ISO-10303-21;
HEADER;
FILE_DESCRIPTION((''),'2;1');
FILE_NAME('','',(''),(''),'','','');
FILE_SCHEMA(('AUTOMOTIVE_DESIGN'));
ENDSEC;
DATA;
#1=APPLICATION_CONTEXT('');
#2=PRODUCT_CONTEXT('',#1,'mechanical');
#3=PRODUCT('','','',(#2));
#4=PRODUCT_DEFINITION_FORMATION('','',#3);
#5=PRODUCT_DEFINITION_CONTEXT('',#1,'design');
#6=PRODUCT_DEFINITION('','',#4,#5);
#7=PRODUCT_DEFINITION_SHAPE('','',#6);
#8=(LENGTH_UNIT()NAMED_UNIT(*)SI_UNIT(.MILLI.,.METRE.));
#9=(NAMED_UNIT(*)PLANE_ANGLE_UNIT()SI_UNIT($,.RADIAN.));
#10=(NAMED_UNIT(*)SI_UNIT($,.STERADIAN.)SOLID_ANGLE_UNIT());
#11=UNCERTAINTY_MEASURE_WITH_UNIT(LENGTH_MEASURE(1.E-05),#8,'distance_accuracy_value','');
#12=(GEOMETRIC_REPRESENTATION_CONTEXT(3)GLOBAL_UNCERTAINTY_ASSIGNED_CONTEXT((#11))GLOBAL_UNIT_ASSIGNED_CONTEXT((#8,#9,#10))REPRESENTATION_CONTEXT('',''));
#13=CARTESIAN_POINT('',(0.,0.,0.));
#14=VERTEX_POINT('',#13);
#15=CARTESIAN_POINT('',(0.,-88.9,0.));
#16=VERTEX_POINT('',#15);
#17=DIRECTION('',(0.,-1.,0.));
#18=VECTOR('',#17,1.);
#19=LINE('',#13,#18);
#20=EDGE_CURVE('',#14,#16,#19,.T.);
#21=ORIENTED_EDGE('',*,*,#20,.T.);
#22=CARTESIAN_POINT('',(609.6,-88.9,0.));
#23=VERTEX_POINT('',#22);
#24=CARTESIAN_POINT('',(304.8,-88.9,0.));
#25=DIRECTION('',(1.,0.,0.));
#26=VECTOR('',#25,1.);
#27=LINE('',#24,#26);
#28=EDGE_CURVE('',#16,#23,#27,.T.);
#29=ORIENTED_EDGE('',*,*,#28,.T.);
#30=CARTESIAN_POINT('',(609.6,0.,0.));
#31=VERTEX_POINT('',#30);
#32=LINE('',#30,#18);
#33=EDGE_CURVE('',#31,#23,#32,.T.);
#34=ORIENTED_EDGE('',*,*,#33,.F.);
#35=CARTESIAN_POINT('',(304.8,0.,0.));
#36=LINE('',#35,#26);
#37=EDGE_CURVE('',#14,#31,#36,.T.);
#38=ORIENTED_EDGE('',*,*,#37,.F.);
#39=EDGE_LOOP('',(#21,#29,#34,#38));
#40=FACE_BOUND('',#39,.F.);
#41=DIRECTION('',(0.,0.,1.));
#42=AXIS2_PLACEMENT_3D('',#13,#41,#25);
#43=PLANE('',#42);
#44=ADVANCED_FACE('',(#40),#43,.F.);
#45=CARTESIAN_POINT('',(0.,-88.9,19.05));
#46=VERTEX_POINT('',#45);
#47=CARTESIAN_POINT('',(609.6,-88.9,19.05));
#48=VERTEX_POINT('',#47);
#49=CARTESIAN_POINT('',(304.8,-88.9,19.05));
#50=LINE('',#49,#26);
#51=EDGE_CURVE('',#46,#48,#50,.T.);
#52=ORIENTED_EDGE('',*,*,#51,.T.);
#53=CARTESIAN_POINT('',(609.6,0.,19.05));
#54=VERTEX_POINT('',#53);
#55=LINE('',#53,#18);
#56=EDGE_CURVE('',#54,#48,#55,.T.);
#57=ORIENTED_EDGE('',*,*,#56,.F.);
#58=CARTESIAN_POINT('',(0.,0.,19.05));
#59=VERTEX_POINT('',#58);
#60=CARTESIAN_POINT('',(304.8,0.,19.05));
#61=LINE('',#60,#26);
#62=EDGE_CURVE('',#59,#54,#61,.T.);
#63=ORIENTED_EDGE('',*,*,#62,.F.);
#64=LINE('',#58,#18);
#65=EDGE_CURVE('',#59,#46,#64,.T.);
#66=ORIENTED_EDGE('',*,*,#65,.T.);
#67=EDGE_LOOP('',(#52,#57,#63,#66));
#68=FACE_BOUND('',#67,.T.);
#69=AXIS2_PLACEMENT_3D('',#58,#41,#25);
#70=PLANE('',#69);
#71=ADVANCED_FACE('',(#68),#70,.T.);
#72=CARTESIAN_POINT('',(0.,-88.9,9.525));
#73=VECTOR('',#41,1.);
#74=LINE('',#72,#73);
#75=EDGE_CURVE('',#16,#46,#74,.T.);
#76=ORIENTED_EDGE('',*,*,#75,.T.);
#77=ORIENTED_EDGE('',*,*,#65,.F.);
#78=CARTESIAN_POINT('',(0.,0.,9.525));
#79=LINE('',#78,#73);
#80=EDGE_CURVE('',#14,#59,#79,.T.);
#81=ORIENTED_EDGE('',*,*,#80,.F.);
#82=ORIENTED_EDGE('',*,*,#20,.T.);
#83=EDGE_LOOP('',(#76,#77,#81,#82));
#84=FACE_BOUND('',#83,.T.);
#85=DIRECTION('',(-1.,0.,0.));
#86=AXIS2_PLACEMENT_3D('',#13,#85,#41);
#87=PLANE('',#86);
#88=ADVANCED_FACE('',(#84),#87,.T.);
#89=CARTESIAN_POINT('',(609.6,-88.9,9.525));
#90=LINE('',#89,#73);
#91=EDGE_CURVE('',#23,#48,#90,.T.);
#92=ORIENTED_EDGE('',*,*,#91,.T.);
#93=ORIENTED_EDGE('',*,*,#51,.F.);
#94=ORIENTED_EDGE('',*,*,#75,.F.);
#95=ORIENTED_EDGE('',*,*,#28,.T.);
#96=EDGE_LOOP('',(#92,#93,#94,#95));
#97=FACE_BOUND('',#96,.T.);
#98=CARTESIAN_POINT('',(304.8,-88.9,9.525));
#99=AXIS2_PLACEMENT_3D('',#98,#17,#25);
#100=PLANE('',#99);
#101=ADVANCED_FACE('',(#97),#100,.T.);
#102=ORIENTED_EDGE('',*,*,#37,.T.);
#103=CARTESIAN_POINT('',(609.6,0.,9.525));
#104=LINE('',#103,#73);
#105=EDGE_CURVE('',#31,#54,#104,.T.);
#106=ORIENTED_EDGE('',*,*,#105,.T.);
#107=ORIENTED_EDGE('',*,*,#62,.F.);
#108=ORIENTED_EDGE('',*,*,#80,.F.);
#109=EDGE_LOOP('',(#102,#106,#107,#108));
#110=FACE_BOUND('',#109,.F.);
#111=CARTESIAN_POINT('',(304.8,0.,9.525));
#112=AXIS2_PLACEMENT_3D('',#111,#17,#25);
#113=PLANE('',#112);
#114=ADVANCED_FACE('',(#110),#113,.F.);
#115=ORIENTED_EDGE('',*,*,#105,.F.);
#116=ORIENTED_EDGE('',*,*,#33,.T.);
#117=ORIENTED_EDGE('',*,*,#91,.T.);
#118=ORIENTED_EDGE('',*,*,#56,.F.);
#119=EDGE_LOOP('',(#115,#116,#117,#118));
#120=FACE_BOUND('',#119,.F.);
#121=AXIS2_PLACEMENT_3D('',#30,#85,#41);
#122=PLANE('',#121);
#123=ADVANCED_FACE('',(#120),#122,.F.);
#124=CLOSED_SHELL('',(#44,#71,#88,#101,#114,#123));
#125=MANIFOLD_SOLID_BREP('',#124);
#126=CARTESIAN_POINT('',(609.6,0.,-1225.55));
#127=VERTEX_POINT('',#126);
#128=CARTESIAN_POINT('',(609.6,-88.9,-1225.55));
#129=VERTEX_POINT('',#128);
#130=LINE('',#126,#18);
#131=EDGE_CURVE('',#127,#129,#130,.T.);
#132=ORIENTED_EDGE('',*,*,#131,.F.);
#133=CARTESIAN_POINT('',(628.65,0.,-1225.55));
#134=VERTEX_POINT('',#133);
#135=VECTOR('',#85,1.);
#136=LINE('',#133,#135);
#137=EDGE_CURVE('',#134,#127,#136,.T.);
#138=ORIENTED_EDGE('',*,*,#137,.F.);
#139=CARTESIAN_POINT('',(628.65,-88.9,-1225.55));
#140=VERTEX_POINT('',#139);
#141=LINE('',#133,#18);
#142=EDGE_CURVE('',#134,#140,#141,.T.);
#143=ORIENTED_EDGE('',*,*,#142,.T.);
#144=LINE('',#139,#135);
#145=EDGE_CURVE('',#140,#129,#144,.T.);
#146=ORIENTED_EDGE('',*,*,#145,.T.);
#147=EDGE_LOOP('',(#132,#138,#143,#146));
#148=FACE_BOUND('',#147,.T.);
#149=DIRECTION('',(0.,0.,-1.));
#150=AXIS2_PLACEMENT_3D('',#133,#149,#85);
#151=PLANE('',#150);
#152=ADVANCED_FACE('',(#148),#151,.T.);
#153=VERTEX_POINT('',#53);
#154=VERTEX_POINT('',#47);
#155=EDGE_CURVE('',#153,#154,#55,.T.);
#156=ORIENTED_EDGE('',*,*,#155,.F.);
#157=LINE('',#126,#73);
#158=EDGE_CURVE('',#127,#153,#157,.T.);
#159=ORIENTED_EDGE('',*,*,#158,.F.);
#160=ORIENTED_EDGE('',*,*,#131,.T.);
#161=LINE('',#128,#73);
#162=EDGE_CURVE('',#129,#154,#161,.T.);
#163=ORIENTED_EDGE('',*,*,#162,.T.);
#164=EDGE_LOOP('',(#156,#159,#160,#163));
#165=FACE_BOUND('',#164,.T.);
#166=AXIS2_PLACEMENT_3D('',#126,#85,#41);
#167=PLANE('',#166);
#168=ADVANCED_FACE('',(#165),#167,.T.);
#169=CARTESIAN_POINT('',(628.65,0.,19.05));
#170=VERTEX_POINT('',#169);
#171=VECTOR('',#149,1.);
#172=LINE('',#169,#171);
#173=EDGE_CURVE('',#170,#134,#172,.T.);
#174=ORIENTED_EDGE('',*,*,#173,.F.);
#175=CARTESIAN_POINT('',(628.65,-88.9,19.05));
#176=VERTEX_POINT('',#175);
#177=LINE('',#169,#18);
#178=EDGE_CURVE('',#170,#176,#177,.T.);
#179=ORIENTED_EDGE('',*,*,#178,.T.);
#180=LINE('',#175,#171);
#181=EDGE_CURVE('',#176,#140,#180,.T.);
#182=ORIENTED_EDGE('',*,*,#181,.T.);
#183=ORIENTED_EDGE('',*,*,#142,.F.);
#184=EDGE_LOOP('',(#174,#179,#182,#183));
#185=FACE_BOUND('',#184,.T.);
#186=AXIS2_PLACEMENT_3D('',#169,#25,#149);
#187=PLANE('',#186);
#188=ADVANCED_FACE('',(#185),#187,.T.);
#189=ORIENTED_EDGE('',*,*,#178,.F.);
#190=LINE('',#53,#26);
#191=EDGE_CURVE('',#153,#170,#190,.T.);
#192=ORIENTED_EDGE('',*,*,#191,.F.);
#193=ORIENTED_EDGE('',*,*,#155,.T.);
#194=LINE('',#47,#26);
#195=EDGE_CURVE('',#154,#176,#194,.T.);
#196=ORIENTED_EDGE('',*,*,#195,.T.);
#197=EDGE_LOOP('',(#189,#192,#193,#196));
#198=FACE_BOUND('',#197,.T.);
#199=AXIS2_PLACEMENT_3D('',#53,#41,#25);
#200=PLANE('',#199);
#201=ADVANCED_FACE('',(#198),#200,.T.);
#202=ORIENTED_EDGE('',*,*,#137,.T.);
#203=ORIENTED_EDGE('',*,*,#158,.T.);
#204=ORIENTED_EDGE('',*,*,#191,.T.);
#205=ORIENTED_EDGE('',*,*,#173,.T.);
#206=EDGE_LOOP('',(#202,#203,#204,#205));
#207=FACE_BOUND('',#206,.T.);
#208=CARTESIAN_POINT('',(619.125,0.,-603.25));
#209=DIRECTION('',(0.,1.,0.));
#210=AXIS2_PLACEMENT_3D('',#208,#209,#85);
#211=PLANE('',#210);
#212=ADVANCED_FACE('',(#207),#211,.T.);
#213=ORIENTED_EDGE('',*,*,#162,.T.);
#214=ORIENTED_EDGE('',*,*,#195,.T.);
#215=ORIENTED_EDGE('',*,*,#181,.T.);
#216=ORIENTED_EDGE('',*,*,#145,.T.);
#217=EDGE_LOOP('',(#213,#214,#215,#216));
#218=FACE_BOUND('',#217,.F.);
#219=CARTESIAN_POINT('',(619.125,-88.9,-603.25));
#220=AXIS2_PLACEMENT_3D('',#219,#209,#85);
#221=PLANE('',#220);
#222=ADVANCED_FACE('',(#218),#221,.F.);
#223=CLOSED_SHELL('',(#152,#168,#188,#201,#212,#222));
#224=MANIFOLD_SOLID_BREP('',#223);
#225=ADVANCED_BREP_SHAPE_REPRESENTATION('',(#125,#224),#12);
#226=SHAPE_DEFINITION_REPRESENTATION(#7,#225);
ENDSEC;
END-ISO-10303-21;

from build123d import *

# Parameters (mm, degrees)
F0_W     = 609.6
F0_H     = 19.05
F1_DEPTH = 88.9
F3_DEPTH = 88.9


with BuildPart() as f1:
    # F0 (on Front) → F1 (new body)
    with BuildSketch(Plane.XZ):
        with Locations((304.8, 9.525)):
            Rectangle(F0_W, F0_H)
    extrude(amount=F1_DEPTH)


with BuildPart() as f3:
    # F2 (on face) → F3 (new body)
    with BuildSketch(Plane(origin=(0, 0, 0), x_dir=(-1, 0, 0), z_dir=(0, 1, 0))):
        Polygon((-609.6, 0), (-609.6, 19.05), (-628.65, 19.05), (-628.65, -1225.55), (-609.6, -1225.55), align=None)
    extrude(amount=-F3_DEPTH)


solid = Compound([f1.part, f3.part])
